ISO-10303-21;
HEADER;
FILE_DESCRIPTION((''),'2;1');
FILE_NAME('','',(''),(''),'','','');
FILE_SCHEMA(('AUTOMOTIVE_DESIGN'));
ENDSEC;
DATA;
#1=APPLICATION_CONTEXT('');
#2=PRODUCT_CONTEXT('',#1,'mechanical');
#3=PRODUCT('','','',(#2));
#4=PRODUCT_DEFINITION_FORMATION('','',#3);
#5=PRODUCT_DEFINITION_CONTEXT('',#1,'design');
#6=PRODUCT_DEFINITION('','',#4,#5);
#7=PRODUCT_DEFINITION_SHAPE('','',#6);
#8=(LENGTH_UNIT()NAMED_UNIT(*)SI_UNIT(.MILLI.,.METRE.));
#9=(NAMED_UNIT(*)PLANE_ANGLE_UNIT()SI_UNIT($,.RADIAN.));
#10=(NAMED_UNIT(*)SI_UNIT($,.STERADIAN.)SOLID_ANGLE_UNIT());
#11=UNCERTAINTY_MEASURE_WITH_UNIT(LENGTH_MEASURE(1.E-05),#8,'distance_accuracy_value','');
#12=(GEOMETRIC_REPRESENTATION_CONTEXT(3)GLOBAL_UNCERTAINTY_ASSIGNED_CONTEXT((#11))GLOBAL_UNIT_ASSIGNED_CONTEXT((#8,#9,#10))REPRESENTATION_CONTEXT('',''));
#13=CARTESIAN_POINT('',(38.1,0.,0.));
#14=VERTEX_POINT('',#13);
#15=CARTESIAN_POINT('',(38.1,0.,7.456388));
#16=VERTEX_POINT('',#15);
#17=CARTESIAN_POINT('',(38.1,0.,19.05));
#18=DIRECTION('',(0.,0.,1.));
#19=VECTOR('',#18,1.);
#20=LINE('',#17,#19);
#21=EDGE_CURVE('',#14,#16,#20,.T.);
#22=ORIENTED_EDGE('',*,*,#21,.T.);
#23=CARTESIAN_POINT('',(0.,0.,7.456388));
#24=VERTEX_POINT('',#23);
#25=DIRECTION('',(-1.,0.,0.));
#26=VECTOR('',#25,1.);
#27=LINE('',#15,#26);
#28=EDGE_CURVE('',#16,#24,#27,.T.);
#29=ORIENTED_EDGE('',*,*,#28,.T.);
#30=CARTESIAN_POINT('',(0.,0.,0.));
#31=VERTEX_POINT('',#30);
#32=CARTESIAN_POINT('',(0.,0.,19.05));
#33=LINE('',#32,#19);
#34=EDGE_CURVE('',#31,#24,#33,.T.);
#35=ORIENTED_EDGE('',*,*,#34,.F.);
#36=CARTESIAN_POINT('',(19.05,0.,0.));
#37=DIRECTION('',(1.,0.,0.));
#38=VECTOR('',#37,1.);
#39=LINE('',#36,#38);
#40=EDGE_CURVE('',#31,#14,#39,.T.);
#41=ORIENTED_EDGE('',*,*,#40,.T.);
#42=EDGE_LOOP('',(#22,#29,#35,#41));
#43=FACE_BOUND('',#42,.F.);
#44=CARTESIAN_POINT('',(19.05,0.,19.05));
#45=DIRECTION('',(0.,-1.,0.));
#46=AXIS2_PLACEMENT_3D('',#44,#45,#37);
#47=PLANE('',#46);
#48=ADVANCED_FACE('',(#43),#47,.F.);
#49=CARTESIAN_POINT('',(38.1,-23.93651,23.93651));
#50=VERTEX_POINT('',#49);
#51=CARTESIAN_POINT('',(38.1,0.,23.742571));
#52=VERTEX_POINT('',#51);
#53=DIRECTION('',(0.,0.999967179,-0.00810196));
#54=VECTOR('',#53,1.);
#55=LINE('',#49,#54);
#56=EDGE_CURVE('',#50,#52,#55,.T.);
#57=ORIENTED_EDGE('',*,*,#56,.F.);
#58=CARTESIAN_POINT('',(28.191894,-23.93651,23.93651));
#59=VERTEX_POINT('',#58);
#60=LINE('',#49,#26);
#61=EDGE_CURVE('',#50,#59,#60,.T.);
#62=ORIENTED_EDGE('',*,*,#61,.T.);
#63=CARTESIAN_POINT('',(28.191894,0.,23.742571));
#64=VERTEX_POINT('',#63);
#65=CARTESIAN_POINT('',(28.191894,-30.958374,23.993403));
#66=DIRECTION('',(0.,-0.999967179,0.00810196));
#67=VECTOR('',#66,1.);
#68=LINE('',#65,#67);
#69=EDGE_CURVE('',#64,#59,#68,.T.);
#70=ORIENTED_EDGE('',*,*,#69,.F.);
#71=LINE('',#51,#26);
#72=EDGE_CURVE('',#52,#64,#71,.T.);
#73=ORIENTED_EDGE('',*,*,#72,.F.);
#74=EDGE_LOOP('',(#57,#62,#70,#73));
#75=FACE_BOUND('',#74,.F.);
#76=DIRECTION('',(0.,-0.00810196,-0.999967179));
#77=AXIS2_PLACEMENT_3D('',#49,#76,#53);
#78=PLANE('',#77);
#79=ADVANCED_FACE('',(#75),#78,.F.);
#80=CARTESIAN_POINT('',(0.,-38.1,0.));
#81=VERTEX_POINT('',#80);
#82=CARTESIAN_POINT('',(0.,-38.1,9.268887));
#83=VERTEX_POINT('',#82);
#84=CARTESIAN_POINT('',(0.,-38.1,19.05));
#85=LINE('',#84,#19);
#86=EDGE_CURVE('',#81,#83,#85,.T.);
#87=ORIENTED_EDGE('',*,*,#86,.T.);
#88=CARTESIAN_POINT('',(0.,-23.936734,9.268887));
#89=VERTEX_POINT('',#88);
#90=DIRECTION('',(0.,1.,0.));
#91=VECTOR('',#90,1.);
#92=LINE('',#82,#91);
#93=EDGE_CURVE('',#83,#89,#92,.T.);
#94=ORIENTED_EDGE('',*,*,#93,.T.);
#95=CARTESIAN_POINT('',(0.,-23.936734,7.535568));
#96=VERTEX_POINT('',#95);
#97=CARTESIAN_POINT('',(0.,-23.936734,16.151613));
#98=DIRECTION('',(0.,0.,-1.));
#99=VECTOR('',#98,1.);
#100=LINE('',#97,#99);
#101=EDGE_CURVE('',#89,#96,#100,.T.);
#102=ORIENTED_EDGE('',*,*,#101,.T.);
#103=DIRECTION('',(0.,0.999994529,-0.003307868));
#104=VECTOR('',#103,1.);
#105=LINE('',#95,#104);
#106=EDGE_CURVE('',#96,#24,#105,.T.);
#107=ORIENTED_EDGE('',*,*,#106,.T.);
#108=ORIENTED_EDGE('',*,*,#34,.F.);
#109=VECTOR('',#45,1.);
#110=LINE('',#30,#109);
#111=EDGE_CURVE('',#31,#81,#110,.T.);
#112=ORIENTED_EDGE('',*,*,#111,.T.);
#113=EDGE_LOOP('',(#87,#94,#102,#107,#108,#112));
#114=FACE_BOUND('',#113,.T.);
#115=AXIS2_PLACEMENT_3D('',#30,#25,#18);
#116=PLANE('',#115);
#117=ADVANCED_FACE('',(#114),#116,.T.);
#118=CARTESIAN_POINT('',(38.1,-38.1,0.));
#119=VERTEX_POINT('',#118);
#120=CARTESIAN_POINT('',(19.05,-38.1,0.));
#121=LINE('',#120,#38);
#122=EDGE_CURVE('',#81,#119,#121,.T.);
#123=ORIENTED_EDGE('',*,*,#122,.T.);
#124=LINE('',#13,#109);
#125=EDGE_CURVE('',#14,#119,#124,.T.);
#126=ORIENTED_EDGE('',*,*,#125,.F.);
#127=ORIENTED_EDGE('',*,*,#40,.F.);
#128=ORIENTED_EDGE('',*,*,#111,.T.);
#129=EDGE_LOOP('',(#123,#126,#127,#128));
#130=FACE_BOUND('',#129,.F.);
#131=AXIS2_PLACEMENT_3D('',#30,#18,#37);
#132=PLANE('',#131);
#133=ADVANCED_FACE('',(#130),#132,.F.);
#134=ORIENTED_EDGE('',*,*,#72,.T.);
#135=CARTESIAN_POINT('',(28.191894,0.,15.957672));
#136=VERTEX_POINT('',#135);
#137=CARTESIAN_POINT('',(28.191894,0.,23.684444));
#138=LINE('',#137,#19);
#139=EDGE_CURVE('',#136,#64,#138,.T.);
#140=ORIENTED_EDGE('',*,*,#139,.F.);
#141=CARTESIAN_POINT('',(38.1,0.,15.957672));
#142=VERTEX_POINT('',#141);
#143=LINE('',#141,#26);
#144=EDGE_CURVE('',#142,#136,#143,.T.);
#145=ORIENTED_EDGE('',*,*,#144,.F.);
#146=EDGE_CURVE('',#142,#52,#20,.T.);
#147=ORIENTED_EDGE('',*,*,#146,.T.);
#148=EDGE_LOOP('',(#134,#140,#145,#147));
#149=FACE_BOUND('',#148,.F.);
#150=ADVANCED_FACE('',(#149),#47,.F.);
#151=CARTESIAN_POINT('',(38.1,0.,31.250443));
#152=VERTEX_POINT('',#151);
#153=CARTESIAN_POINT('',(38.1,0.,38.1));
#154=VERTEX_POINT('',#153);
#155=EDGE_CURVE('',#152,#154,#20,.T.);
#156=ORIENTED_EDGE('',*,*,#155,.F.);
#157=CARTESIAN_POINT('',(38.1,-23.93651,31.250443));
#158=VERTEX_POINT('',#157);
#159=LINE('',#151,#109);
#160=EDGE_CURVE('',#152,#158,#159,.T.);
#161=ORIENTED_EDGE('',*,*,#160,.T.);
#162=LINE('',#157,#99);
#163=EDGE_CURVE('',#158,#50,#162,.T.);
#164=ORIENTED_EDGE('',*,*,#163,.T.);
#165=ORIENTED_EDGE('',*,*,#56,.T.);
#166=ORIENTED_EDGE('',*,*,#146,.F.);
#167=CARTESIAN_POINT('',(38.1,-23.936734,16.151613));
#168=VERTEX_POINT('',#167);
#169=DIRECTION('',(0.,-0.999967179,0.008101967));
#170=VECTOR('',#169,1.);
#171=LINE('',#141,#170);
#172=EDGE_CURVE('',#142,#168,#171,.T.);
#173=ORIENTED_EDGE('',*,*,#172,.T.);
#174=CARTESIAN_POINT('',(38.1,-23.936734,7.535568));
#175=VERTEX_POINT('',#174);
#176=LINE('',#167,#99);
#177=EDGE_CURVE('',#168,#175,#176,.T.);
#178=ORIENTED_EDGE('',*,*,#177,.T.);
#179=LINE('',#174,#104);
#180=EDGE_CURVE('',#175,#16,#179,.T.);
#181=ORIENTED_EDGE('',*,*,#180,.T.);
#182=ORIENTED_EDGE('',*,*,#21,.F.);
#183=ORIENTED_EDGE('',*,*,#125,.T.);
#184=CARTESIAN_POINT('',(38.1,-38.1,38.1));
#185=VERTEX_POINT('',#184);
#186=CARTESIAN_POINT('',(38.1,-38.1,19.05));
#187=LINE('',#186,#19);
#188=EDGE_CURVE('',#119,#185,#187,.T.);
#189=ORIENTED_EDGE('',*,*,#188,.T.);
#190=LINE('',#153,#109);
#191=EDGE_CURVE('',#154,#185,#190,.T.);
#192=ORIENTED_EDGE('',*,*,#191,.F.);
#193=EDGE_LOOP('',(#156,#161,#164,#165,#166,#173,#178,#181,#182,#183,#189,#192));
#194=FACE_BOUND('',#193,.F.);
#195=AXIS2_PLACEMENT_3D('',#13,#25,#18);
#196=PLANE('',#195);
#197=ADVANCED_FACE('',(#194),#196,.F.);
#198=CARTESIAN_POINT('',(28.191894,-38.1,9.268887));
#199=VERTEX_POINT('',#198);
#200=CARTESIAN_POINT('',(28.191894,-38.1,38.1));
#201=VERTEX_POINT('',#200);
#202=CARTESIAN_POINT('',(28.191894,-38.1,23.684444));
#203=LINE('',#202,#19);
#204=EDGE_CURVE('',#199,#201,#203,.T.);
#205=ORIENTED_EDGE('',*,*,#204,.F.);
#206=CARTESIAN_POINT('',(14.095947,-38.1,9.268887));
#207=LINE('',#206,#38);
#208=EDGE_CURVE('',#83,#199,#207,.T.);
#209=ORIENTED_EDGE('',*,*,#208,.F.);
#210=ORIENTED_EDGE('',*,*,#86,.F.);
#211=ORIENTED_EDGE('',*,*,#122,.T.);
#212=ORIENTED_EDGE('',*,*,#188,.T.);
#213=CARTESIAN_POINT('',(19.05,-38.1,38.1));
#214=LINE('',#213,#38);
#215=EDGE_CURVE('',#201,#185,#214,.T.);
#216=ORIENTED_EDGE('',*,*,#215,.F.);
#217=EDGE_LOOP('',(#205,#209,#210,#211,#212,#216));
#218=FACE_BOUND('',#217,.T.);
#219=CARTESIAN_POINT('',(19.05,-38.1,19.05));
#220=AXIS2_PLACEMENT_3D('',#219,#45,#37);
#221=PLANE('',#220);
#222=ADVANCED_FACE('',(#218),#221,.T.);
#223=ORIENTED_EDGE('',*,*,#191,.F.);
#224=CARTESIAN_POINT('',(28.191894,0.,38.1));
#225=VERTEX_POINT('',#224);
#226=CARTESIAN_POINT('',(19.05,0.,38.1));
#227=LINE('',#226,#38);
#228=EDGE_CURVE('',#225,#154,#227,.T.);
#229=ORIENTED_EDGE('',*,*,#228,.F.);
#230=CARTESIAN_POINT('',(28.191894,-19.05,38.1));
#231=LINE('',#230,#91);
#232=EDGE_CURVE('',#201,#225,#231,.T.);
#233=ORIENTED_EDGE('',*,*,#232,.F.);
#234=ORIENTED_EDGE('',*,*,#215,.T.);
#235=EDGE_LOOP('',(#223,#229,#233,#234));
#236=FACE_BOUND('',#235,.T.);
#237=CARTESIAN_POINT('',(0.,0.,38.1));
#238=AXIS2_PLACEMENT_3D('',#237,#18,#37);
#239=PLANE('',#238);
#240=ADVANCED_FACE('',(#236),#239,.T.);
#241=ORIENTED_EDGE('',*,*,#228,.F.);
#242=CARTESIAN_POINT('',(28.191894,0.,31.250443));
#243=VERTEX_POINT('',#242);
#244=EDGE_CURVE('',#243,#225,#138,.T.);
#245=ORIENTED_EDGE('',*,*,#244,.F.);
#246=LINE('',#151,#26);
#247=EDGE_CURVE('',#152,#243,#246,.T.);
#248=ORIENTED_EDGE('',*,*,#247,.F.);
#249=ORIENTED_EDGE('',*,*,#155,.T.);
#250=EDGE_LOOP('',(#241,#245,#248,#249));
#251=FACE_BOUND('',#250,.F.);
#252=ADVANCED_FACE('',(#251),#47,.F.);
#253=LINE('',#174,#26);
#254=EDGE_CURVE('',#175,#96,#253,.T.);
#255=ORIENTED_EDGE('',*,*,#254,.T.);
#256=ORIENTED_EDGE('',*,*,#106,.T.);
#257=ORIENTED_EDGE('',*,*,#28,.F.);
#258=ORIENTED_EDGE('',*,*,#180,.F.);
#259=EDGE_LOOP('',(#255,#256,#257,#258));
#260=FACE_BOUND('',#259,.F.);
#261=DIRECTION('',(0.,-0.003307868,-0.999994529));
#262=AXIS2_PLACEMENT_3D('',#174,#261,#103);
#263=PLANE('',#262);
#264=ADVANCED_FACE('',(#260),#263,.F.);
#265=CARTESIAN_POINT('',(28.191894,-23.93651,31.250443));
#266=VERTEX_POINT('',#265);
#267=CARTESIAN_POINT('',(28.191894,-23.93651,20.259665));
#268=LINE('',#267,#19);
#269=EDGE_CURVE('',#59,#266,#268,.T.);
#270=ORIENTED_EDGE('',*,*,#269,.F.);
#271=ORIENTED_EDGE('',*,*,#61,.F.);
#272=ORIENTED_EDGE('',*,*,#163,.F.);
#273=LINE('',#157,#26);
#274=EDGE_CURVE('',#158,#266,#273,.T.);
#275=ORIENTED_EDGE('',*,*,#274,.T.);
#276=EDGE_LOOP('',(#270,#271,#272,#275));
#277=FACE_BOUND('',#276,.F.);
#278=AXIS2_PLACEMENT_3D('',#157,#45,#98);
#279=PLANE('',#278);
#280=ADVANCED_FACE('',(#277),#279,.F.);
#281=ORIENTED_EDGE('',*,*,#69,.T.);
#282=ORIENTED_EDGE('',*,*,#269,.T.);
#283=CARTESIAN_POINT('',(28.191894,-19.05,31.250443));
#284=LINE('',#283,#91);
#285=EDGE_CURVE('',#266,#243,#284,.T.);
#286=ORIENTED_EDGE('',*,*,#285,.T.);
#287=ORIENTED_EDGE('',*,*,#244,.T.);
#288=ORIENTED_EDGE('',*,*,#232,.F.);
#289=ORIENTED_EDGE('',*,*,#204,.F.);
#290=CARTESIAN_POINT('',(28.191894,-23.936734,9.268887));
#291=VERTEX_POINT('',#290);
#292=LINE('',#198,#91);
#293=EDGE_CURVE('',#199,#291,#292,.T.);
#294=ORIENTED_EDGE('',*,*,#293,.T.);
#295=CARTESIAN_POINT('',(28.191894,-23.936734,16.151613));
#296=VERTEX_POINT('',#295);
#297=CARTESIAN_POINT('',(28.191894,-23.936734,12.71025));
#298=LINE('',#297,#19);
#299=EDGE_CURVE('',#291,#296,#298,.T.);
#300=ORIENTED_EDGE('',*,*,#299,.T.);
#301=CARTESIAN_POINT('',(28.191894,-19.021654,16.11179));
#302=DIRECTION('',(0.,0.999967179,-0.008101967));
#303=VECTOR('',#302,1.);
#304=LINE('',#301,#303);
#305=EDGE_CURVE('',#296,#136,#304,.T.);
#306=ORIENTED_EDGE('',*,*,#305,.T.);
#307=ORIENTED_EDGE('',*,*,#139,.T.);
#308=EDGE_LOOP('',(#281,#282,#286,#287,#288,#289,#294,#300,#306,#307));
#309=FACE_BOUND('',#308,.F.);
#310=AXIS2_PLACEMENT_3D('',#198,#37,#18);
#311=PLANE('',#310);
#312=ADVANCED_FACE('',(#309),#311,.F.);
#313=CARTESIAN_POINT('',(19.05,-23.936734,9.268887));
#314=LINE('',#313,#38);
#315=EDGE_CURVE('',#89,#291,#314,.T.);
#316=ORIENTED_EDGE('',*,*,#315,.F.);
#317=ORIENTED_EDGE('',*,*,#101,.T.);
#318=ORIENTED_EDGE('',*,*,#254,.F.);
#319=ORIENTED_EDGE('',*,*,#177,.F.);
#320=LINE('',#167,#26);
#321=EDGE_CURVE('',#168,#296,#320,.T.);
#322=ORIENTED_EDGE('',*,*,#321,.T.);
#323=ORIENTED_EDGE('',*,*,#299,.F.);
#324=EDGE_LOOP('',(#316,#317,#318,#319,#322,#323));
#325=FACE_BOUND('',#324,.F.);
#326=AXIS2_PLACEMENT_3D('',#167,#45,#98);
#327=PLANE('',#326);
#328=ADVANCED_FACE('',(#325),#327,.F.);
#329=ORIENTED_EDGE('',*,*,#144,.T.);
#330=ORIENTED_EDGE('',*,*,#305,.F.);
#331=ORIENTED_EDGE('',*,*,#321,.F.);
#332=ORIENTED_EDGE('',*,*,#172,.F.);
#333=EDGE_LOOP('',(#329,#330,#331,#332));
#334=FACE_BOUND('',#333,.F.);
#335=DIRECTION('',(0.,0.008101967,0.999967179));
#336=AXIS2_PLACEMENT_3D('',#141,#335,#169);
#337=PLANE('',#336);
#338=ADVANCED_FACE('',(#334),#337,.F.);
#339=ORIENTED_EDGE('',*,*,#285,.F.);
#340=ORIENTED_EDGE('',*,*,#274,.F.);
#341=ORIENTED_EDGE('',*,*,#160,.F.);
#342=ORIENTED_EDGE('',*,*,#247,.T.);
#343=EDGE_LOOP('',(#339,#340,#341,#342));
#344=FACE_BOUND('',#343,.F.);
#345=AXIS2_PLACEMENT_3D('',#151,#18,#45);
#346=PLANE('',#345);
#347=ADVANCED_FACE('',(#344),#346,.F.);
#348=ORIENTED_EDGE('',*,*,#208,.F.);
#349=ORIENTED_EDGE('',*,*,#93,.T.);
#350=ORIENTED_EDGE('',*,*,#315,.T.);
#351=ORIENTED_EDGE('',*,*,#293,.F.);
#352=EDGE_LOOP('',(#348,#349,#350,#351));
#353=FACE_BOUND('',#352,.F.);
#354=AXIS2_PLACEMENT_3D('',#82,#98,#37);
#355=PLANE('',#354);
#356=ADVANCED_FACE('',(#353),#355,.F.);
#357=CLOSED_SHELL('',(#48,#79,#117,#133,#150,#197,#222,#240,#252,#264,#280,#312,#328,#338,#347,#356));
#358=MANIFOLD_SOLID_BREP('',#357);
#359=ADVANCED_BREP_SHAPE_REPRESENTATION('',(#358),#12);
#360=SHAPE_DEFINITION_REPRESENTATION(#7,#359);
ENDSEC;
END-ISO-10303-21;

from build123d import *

# Parameters (mm, degrees)
F0_W     = 38.1
F0_H     = 38.1
F1_DEPTH = 38.1
F4_DEPTH = 38.1
F5_W     = 28.191894
F5_H     = 28.831113
F6_DEPTH = 38.1


with BuildPart() as f1:
    # F0 (on Front) → F1 (new body)
    with BuildSketch(Plane.XZ):
        with Locations((19.05, 19.05)):
            Rectangle(F0_W, F0_H)
    extrude(amount=F1_DEPTH)

    # F3 (on face) → F4 (cut)
    with BuildSketch(Plane.YZ.offset(38.1)):
        Polygon((0, 23.742571), (0, 31.250443), (-23.93651, 31.250443), (-23.93651, 23.93651), align=None)
        Polygon((0, 7.535568), (0, 15.957672), (-23.936734, 16.151613), (-23.936734, 7.535568), (0, 7.456388), align=None)
    extrude(amount=-F4_DEPTH, mode=Mode.SUBTRACT)

    # F5 (on offset) → F6 (cut)
    with BuildSketch(Plane.XZ.offset(38.1)):
        with Locations((14.095947, 23.684444)):
            Rectangle(F5_W, F5_H)
    extrude(amount=-F6_DEPTH, mode=Mode.SUBTRACT)


solid = f1.part
